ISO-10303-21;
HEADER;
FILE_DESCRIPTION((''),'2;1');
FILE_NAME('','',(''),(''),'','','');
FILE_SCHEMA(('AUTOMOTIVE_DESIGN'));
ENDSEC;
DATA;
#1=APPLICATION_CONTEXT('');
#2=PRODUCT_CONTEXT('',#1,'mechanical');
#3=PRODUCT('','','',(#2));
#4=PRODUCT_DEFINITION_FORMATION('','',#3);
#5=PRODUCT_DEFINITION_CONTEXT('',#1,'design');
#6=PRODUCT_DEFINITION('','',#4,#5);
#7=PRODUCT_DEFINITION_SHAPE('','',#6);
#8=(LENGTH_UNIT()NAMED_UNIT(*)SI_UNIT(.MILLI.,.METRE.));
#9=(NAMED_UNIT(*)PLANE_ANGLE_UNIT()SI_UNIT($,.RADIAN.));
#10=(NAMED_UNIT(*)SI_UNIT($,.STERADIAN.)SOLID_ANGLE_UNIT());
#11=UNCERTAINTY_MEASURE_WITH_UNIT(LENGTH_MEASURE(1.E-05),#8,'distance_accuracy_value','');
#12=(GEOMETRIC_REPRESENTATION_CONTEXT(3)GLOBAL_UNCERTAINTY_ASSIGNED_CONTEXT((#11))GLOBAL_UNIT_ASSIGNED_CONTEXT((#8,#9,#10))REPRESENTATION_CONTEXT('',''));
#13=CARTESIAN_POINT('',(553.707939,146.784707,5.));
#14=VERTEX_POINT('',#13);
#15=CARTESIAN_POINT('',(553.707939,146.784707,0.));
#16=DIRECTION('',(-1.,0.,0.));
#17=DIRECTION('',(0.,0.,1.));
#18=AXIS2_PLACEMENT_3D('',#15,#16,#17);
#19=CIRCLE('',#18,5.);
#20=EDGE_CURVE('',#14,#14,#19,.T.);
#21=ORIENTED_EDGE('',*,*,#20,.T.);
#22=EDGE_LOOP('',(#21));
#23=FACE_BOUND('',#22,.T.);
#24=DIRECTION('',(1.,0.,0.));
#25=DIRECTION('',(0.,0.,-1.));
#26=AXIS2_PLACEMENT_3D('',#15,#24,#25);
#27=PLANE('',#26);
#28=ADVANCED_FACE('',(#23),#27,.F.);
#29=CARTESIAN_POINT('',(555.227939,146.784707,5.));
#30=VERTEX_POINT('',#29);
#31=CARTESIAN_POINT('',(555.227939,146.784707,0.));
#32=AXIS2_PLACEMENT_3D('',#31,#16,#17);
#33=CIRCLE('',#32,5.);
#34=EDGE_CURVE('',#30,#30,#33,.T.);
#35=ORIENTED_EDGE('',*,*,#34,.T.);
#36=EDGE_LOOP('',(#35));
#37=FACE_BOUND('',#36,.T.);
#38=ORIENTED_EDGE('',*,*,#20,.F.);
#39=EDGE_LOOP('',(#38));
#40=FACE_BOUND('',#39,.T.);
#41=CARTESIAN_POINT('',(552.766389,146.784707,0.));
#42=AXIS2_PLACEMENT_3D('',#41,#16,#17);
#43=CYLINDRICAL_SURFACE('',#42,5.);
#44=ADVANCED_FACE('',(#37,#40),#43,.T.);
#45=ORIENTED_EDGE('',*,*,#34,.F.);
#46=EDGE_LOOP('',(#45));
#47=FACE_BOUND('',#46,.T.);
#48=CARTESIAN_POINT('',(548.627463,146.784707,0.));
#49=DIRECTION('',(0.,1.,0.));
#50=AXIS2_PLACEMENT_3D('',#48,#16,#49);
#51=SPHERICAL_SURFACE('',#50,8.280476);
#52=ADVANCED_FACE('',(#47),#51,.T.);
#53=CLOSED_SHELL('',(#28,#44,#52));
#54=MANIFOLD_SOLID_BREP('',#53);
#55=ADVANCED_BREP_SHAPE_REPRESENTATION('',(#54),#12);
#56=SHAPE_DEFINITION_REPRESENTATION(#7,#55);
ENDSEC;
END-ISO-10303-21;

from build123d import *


with BuildPart() as part:
    # 草图1 → 旋转1 (revolve)
    with BuildSketch(Plane.XY):
        with BuildLine():
            Line((553.707939458, 146.784706945), (553.707939458, 151.784706945))
            Line((553.707939458, 151.784706945), (555.227939458, 151.784706945))
            ThreePointArc((555.227939458, 151.784706945), (556.476710744, 149.422054097), (556.907939458, 146.784706945))
            Line((556.907939458, 146.784706945), (553.707939458, 146.784706945))
        make_face()
    revolve(axis=Axis((552.766388986, 146.784706945, 0), (1, 0, 0)))


solid = part.part
